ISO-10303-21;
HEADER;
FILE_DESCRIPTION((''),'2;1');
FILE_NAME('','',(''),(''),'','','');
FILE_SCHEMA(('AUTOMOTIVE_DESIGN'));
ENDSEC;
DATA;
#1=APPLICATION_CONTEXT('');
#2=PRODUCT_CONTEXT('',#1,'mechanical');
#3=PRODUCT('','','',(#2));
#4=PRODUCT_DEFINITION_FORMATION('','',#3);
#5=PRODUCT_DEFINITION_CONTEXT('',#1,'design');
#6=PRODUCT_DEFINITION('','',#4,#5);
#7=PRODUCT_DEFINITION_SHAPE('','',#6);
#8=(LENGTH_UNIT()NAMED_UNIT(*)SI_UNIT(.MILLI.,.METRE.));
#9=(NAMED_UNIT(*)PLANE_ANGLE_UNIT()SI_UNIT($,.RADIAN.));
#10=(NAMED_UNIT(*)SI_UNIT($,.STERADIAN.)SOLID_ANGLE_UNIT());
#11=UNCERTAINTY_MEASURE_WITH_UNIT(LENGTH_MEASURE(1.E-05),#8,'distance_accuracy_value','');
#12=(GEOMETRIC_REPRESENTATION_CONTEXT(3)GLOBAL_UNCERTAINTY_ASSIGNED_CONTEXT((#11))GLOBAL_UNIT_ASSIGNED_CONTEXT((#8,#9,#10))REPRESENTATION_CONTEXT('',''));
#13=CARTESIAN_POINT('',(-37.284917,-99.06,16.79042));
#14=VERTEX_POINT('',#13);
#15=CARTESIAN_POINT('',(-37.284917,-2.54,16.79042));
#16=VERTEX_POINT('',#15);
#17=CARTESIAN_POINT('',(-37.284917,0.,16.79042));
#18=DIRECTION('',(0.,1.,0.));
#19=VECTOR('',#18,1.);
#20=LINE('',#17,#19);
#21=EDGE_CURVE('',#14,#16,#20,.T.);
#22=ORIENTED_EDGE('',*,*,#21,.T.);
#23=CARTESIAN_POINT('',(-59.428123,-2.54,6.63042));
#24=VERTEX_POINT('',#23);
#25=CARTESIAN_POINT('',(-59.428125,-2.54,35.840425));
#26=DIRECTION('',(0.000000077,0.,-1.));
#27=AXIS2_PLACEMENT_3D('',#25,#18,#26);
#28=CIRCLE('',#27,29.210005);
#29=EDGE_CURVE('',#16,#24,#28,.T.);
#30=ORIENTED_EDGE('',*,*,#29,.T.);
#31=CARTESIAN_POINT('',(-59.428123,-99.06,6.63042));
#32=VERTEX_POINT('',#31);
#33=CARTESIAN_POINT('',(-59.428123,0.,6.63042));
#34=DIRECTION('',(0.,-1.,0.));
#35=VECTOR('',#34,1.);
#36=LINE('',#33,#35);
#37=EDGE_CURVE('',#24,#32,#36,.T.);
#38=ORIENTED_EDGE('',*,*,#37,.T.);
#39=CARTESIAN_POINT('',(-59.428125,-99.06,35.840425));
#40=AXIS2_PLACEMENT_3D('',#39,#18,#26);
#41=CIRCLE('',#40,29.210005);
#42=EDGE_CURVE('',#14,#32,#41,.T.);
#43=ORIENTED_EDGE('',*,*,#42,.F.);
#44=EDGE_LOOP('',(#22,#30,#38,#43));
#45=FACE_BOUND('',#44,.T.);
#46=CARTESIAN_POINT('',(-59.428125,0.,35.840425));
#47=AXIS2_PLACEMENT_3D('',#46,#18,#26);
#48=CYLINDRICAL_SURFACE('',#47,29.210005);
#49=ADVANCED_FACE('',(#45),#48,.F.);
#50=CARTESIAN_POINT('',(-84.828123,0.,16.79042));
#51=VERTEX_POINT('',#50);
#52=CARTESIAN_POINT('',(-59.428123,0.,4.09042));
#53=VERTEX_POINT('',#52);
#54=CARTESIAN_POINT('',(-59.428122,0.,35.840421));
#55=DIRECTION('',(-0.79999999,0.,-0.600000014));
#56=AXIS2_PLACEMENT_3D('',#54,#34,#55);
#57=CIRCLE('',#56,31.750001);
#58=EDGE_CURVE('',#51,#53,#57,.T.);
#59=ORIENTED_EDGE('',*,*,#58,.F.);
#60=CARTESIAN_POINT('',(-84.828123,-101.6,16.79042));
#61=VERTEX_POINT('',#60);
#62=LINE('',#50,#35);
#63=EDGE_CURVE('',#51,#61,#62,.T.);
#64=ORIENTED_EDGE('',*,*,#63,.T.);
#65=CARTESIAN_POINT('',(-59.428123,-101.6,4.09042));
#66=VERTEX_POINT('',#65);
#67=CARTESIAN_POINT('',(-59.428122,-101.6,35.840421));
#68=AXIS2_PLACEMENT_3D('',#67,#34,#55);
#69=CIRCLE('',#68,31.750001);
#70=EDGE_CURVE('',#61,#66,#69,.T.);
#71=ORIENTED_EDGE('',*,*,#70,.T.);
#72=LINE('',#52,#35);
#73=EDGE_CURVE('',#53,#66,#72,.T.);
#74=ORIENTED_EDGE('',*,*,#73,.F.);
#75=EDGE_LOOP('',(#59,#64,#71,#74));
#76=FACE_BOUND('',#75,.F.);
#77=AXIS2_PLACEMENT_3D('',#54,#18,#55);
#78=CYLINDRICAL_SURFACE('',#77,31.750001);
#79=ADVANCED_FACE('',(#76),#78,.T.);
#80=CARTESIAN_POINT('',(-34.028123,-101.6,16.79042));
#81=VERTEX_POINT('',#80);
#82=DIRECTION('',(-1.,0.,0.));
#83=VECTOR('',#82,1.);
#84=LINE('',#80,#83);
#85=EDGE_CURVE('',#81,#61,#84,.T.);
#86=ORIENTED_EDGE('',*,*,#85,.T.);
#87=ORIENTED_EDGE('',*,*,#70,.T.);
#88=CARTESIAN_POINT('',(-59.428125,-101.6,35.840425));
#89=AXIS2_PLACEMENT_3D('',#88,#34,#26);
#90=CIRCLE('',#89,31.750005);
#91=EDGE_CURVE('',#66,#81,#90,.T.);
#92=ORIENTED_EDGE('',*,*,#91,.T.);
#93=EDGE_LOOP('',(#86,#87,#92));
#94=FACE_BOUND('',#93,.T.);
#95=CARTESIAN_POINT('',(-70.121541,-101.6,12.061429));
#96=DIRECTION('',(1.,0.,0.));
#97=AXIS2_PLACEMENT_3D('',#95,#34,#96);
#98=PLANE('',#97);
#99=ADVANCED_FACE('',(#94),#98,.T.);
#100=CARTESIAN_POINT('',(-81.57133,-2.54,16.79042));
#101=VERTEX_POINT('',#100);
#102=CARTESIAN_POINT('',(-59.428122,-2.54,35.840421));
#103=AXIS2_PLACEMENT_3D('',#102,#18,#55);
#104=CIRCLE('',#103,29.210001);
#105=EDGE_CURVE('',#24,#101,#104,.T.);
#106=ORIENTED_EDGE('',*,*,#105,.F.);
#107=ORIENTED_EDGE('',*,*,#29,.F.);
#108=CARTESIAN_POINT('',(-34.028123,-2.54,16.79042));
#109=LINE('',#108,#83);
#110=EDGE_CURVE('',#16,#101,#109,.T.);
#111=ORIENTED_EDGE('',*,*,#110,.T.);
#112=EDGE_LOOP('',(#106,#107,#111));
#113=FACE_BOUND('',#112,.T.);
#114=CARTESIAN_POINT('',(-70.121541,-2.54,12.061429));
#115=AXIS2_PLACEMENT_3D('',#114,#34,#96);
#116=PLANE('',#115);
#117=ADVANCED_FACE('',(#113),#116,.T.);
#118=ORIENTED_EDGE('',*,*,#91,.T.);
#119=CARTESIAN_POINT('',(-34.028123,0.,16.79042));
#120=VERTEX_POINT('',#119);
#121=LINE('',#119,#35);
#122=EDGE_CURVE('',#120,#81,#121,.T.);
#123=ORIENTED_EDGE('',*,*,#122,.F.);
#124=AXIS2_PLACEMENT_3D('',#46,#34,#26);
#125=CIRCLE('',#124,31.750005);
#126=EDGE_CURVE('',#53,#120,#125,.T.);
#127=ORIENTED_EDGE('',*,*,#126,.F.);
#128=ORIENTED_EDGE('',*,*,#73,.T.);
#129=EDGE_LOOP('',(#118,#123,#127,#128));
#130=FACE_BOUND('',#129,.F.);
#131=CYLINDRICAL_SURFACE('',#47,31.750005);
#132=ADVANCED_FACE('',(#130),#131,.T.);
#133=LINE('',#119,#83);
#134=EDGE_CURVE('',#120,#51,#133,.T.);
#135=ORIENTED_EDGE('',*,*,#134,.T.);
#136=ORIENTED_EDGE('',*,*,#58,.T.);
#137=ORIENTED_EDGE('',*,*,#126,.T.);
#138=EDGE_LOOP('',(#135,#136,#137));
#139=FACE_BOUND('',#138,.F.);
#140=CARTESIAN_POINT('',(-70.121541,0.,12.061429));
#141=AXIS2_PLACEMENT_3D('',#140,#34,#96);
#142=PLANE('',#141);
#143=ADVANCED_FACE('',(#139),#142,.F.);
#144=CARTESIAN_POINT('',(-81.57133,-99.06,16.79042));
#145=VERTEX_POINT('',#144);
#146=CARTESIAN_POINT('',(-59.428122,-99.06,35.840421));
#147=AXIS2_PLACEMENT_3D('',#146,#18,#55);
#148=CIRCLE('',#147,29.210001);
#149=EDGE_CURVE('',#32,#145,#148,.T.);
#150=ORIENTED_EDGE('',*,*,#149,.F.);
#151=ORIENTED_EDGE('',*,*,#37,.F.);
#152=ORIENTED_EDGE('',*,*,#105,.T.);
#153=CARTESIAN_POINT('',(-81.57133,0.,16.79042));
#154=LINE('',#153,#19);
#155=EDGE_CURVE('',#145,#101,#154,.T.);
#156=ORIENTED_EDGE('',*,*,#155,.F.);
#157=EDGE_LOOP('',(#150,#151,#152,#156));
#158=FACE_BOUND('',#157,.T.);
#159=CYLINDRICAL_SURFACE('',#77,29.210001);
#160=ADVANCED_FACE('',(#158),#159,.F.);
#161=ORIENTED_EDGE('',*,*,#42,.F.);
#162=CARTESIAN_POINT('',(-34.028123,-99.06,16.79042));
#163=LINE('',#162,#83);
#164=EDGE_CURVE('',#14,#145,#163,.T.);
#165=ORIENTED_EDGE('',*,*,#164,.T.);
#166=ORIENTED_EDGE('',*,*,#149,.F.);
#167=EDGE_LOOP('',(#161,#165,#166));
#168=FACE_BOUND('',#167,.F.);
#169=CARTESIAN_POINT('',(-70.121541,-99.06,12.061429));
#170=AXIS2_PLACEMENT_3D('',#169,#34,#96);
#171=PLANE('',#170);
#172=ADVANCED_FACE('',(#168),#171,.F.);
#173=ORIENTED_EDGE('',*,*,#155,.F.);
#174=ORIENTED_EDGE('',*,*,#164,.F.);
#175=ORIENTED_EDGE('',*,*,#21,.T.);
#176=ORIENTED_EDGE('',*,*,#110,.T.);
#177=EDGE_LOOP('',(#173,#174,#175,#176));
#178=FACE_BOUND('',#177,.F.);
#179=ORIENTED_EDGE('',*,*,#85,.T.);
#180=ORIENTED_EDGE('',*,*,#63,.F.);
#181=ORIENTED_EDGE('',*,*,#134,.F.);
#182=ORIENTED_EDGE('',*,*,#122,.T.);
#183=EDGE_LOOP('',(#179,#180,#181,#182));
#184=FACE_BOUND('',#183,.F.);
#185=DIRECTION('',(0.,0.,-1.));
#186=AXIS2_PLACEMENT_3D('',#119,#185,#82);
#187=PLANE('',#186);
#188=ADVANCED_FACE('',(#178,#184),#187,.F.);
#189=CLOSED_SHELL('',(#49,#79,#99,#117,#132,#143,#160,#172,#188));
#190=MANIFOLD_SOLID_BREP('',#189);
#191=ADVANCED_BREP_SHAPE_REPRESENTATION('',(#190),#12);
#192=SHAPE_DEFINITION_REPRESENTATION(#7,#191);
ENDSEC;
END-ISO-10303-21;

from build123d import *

# Parameters (mm, degrees)
F1_DEPTH = 101.6
F2_T     = -2.54


with BuildPart() as f1:
    # F0 (on Front) → F1 (new body)
    with BuildSketch(Plane.XZ):
        with BuildLine():
            Line((-59.428123, 16.79042), (-84.828123, 16.79042))
            ThreePointArc((-84.828123, 16.79042), (-73.627155, 7.442357), (-59.428123, 4.09042))
            Line((-59.428123, 4.09042), (-59.428123, 16.79042))
        make_face()
        with BuildLine():
            Line((-34.028123, 16.79042), (-59.428123, 16.79042))
            Line((-59.428123, 16.79042), (-59.428123, 4.09042))
            ThreePointArc((-59.428123, 4.09042), (-45.229092, 7.442357), (-34.028123, 16.79042))
        make_face()
    extrude(amount=F1_DEPTH)

    # F2
    f2_openings = [f1.faces().sort_by_distance(p)[0] for p in [
        (-59.428123, -50.8, 16.79042),
    ]]
    offset(amount=F2_T, openings=f2_openings)


solid = f1.part
